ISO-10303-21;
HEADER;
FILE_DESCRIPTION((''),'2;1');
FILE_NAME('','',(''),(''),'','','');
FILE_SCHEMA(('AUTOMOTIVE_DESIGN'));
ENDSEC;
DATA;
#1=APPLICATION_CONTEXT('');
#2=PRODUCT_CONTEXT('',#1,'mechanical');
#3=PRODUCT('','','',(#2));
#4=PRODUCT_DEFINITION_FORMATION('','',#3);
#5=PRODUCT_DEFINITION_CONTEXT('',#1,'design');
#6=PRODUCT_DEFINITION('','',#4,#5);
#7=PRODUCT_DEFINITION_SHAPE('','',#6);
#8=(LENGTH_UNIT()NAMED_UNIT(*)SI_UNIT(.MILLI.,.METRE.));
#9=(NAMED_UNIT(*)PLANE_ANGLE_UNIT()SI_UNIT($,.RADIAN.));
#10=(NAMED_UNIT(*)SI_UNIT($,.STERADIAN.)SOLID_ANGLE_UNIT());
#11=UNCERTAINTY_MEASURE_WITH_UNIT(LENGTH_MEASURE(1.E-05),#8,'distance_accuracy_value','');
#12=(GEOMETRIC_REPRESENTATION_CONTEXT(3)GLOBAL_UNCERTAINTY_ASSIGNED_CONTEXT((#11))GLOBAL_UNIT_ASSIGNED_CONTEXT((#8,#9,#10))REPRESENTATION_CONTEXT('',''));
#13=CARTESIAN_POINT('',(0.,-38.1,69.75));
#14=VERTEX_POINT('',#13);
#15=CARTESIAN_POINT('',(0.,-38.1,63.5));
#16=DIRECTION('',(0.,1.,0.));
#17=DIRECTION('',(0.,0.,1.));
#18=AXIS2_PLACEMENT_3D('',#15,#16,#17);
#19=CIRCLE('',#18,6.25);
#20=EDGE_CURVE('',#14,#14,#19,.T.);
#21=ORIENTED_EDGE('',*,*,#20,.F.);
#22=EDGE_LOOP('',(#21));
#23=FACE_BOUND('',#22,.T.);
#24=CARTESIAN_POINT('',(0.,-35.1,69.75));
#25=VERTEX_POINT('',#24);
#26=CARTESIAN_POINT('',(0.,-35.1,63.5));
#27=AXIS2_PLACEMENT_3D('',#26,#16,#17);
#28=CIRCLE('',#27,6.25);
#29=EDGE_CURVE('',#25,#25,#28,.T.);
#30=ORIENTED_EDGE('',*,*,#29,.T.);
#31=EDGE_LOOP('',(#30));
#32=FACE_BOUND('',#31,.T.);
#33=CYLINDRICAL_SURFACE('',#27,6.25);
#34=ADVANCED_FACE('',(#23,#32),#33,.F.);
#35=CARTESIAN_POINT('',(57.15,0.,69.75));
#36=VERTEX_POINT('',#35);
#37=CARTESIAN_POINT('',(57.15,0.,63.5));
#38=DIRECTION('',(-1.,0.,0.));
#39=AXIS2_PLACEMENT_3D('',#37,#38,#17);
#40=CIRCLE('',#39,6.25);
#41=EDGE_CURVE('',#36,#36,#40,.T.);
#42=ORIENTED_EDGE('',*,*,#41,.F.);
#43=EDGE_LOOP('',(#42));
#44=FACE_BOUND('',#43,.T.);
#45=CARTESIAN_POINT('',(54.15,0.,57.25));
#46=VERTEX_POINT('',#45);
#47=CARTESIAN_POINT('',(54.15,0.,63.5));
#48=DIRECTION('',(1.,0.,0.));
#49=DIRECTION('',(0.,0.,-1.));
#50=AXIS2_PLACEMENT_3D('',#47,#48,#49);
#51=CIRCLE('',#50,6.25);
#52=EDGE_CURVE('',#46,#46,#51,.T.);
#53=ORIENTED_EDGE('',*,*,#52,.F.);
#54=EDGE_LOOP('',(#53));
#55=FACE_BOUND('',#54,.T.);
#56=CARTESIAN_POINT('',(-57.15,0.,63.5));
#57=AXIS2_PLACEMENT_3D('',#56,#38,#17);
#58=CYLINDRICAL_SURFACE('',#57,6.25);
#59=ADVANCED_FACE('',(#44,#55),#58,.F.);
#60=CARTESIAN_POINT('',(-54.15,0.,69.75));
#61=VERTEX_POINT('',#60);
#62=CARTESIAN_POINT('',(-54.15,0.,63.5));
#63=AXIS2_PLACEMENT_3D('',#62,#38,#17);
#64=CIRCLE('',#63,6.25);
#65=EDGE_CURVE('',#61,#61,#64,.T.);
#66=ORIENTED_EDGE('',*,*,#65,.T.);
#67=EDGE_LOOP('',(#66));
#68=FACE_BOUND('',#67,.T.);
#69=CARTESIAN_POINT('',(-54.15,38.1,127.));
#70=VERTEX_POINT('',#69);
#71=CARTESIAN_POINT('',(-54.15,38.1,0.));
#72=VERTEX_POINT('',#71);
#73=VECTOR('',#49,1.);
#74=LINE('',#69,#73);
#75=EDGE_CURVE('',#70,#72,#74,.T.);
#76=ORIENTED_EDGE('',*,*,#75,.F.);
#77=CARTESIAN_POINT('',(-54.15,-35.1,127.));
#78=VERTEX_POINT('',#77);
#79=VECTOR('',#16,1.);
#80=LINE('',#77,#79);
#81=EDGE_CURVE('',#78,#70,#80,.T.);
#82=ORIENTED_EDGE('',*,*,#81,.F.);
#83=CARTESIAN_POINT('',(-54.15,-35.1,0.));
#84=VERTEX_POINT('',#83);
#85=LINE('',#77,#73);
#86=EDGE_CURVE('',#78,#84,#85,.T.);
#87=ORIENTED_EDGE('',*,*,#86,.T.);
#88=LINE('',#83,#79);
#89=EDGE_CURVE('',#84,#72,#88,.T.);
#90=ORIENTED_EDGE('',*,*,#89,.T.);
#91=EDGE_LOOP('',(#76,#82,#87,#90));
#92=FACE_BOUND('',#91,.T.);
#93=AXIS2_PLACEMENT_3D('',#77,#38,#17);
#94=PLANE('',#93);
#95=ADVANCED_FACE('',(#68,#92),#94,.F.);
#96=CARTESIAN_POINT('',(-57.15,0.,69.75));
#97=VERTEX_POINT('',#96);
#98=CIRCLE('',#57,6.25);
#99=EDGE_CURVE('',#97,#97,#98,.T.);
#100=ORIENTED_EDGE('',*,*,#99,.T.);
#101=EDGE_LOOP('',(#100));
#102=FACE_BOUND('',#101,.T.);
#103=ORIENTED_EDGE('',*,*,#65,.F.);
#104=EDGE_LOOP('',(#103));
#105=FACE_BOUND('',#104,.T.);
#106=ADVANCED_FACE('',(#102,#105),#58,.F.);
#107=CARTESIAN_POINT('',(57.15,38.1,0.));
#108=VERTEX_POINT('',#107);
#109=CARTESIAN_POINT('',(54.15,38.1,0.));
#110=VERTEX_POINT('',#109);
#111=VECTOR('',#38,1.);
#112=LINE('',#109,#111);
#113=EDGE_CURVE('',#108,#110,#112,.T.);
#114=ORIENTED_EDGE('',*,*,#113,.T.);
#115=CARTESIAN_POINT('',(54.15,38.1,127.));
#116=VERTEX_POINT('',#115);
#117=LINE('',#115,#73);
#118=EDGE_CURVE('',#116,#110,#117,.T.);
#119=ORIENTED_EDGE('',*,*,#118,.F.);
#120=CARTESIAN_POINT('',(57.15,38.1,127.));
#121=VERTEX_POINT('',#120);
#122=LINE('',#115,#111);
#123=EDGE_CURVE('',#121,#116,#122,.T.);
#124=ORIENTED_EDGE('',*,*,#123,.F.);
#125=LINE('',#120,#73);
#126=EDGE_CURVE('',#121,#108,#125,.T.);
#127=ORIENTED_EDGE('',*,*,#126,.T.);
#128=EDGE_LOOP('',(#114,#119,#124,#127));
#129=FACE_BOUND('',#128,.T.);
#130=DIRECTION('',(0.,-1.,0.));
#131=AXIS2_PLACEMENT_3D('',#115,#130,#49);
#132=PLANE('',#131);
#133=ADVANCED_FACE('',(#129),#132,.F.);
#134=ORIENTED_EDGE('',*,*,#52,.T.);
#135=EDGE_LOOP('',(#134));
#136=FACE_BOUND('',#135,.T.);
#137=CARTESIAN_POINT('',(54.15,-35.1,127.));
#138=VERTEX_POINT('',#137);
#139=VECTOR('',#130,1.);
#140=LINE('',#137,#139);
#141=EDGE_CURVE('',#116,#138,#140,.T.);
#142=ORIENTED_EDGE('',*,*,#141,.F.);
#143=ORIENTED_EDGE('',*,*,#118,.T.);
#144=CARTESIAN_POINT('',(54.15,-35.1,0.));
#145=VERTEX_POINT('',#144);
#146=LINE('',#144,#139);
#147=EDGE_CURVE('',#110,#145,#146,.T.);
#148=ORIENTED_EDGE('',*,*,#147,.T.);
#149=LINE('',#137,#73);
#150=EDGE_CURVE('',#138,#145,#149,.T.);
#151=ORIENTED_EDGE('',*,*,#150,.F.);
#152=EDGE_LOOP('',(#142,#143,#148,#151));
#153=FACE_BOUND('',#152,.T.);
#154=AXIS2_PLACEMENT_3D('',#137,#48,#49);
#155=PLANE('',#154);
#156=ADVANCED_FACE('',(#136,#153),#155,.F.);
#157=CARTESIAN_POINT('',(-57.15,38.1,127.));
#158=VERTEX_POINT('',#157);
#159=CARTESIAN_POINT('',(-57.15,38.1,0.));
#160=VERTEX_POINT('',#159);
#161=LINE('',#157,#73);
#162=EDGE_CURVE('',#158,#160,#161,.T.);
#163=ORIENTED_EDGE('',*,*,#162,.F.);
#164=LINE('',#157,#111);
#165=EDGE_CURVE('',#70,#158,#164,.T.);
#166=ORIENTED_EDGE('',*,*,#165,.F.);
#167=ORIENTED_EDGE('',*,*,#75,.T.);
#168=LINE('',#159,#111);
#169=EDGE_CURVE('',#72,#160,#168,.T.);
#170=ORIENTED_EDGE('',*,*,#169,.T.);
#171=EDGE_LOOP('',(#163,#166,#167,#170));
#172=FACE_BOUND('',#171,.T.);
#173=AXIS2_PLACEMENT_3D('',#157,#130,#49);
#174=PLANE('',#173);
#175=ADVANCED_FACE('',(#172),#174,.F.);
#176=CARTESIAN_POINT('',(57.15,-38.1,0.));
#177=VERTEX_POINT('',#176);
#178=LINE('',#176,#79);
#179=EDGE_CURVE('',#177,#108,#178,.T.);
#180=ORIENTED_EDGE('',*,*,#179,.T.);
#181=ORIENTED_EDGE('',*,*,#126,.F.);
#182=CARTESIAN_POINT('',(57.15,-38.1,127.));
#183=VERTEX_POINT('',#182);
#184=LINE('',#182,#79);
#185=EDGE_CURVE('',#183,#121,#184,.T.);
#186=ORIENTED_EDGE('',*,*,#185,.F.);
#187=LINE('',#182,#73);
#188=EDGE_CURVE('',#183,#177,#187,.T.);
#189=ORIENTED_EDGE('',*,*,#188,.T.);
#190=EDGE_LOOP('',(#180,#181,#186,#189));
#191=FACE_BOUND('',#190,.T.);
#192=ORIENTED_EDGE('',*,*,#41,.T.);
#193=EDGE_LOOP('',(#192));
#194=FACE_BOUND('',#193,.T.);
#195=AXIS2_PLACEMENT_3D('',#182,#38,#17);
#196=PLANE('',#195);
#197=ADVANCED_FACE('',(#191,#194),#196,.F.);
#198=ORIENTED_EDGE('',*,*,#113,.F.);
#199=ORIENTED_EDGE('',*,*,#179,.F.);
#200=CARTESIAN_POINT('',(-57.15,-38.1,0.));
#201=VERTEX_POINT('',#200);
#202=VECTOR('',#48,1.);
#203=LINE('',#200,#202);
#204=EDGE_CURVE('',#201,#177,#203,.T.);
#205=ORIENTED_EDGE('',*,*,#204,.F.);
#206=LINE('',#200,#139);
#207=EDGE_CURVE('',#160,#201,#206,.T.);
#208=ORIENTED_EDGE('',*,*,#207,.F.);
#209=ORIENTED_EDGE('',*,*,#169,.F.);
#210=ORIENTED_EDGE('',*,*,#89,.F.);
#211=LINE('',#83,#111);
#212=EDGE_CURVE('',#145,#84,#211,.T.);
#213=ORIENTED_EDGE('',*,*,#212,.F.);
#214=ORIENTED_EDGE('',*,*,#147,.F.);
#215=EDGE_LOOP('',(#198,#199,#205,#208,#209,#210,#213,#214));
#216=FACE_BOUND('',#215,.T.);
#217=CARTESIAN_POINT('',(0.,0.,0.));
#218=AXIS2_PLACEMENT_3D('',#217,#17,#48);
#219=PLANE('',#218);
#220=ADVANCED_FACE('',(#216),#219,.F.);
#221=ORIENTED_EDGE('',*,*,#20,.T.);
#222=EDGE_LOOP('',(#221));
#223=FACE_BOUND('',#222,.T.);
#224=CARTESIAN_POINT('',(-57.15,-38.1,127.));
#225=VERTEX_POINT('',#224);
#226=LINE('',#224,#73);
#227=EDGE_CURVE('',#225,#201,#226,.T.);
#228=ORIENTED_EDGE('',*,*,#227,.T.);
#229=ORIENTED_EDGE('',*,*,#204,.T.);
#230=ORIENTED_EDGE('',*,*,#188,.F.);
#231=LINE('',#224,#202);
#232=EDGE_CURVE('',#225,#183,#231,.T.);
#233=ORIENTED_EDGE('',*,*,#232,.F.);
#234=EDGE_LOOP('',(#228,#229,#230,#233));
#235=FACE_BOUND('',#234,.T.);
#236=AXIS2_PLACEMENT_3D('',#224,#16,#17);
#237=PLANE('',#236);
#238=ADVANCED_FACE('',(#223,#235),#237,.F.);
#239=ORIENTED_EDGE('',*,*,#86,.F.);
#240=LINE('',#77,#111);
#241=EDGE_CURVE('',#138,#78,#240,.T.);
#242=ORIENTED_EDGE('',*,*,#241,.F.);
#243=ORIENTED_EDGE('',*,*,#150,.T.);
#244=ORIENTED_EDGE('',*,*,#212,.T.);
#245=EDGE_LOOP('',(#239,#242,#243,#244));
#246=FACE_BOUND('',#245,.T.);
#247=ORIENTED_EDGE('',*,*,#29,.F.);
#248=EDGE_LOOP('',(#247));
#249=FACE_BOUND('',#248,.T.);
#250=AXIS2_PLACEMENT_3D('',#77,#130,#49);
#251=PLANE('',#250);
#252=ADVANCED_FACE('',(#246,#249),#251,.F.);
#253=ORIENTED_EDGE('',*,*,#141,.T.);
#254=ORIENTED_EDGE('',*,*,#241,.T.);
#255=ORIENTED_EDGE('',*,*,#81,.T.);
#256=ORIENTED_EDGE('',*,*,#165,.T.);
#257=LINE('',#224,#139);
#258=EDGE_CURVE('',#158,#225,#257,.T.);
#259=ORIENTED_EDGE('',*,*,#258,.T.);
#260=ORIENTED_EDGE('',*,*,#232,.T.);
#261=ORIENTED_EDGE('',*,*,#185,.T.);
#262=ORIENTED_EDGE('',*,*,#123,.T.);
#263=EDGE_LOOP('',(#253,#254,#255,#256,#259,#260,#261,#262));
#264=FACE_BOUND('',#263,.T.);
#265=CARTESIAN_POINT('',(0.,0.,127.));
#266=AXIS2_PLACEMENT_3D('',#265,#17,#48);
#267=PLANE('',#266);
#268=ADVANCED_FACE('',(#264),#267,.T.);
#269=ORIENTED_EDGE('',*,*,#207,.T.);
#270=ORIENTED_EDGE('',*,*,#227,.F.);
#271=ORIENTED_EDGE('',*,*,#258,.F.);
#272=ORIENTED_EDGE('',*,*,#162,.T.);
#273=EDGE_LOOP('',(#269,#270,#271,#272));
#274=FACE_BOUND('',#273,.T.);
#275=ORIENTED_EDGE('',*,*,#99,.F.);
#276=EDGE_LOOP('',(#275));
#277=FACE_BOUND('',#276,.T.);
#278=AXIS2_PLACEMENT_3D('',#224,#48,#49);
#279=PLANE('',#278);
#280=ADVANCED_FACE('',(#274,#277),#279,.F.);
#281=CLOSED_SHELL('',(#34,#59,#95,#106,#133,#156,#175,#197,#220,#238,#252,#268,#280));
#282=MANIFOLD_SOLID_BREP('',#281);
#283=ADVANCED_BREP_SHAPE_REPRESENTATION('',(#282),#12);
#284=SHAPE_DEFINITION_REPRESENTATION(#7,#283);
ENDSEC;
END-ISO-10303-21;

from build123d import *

# Parameters (mm, degrees)
BOSS_EXTRUDE1_DEPTH          = 127
F_12_5_12_5_DIAMETER_HOLE1_D = 12.5
F_12_5_12_5_DIAMETER_HOLE2_D = 12.5


with BuildPart() as part:
    # Sketch1 → Boss-Extrude1 (new body)
    with BuildSketch(Plane.XY):
        Polygon((54.15, -35.1), (54.15, 38.1), (57.15, 38.1), (57.15, -38.1), (-57.15, -38.1), (-57.15, 38.1), (-54.15, 38.1), (-54.15, -35.1), align=None)
    extrude(amount=BOSS_EXTRUDE1_DEPTH)

    # Ø12.5 (12.5) Diameter Hole1 (through all)
    with Locations(Plane(origin=(0, -35.1, 0), x_dir=(1, 0, 0), z_dir=(0, 1, 0))):
        with Locations((0, -63.5)):
            Hole(F_12_5_12_5_DIAMETER_HOLE1_D / 2)

    # Ø12.5 (12.5) Diameter Hole2 (through all)
    with Locations(Plane.ZY.offset(57.15)):
        with Locations((63.5, 0)):
            Hole(F_12_5_12_5_DIAMETER_HOLE2_D / 2)


solid = part.part
